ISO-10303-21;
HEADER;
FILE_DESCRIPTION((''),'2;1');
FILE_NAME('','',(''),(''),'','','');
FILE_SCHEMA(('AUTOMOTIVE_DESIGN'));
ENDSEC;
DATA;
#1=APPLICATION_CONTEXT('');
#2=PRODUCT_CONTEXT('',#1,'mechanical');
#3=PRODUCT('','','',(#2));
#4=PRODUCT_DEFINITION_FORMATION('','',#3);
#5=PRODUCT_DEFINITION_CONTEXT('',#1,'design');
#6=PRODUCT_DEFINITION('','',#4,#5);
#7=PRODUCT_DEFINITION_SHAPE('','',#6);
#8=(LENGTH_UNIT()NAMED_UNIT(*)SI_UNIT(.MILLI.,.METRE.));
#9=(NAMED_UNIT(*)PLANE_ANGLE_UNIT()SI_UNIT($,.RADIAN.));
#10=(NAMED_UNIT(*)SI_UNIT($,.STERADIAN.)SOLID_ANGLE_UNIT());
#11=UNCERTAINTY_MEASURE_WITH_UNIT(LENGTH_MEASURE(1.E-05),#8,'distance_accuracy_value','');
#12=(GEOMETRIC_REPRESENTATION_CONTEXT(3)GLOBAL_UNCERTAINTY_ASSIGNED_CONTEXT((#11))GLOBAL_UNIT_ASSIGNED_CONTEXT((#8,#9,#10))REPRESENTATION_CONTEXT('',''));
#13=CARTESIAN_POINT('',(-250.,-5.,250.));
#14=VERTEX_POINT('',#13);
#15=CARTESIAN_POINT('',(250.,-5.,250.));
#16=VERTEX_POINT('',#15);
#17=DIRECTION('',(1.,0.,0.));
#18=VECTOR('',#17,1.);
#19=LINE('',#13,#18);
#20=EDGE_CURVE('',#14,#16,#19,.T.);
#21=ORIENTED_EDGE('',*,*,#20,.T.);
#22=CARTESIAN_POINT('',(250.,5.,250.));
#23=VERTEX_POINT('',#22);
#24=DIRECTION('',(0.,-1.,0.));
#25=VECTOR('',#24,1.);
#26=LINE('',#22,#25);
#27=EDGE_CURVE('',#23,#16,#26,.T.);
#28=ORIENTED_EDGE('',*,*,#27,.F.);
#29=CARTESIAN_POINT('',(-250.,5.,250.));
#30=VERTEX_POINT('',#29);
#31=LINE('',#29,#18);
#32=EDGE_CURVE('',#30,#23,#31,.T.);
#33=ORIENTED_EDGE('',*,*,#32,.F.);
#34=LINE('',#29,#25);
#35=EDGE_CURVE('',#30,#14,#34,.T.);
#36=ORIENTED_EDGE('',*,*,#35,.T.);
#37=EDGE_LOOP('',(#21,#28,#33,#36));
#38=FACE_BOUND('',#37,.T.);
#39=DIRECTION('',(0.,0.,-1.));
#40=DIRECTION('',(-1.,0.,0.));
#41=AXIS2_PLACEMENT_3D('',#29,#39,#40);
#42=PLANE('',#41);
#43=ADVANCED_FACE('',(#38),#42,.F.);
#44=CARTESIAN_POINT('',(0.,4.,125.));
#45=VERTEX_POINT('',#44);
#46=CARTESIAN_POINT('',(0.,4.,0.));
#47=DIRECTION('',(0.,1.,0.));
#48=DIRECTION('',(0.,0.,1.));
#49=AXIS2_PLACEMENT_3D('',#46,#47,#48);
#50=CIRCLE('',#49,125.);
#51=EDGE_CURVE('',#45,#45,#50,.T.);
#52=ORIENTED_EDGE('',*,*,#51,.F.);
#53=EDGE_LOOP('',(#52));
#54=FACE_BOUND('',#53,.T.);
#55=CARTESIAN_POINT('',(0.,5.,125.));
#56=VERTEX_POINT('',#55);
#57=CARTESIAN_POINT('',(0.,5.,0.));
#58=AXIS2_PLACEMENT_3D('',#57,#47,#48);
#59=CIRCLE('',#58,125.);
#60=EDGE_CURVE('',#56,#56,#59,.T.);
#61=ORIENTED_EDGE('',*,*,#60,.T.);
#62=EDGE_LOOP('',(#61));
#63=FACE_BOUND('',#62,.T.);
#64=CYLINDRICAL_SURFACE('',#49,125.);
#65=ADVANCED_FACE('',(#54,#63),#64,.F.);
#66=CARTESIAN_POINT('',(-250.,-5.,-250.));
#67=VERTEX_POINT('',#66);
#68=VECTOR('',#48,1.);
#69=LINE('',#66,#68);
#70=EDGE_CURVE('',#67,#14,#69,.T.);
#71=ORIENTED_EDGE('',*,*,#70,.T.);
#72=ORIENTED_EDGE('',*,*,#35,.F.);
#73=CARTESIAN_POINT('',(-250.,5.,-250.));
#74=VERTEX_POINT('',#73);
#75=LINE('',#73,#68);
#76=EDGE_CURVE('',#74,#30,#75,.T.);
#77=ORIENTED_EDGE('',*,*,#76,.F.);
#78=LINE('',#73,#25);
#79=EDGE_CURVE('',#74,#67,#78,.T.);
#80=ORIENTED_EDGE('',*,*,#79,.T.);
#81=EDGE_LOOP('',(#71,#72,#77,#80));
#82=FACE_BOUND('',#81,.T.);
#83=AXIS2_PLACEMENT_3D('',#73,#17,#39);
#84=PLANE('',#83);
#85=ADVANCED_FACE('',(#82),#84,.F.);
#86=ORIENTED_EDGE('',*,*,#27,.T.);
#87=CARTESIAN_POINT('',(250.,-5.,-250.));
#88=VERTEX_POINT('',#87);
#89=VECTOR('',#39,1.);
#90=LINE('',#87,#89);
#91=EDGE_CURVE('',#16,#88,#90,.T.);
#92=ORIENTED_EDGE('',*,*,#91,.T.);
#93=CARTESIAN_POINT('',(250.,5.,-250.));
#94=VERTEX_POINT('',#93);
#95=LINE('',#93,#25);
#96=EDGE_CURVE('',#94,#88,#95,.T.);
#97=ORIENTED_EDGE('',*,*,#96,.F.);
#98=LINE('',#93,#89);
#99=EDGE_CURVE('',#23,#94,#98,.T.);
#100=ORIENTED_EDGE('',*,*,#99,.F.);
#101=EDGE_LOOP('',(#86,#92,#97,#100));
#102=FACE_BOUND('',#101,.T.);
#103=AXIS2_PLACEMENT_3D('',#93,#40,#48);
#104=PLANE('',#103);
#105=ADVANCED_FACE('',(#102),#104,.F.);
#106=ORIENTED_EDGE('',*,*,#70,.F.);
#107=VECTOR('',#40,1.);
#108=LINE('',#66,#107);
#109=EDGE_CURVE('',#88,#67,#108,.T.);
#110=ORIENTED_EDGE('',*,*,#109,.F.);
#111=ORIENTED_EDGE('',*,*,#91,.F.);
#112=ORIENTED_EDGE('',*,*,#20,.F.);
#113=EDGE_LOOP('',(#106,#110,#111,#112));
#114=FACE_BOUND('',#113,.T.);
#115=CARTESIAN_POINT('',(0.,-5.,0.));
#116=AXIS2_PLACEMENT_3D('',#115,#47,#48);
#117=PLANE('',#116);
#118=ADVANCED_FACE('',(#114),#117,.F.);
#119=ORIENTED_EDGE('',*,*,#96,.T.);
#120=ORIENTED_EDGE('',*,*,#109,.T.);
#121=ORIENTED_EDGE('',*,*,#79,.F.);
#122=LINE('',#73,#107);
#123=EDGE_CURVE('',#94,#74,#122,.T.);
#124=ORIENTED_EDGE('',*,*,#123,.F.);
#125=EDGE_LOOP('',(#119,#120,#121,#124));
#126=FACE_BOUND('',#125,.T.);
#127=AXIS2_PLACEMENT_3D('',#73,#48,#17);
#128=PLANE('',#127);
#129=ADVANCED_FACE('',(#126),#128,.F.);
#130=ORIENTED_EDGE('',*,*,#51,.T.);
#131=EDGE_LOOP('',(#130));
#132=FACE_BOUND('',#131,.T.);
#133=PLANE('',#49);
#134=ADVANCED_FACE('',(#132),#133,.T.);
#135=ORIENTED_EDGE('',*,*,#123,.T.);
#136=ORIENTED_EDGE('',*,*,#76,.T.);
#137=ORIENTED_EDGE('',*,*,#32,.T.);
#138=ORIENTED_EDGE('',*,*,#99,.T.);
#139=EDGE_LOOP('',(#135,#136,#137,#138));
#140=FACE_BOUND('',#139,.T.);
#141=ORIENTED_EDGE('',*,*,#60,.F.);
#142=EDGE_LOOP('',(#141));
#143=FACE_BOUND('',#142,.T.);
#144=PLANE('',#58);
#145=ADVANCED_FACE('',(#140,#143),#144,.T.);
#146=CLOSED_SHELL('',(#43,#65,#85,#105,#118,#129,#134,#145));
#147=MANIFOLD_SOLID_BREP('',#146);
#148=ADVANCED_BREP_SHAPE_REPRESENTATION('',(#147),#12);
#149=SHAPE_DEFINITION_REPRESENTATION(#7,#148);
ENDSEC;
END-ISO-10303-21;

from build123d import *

# Parameters (mm, degrees)
SKETCH1_W           = 500
SKETCH1_H           = 500
BOSS_EXTRUDE1_DEPTH = 5
SKETCH2_R           = 125
CUT_EXTRUDE1_DEPTH  = 1


with BuildPart() as part:
    # Sketch1 → Boss-Extrude1 (new, symmetric)
    with BuildSketch(Plane(origin=(0, 0, 0), x_dir=(1, 0, 0), z_dir=(0, 1, 0))):
        Rectangle(SKETCH1_W, SKETCH1_H)
    extrude(amount=BOSS_EXTRUDE1_DEPTH, both=True)

    # Sketch2 → Cut-Extrude1 (cut)
    with BuildSketch(Plane(origin=(0, 5, 0), x_dir=(1, 0, 0), z_dir=(0, 1, 0))):
        with Locations(Location((0, 0, 0), (0, 0, 270))):
            Circle(SKETCH2_R)
    extrude(amount=-CUT_EXTRUDE1_DEPTH, mode=Mode.SUBTRACT)


solid = part.part
